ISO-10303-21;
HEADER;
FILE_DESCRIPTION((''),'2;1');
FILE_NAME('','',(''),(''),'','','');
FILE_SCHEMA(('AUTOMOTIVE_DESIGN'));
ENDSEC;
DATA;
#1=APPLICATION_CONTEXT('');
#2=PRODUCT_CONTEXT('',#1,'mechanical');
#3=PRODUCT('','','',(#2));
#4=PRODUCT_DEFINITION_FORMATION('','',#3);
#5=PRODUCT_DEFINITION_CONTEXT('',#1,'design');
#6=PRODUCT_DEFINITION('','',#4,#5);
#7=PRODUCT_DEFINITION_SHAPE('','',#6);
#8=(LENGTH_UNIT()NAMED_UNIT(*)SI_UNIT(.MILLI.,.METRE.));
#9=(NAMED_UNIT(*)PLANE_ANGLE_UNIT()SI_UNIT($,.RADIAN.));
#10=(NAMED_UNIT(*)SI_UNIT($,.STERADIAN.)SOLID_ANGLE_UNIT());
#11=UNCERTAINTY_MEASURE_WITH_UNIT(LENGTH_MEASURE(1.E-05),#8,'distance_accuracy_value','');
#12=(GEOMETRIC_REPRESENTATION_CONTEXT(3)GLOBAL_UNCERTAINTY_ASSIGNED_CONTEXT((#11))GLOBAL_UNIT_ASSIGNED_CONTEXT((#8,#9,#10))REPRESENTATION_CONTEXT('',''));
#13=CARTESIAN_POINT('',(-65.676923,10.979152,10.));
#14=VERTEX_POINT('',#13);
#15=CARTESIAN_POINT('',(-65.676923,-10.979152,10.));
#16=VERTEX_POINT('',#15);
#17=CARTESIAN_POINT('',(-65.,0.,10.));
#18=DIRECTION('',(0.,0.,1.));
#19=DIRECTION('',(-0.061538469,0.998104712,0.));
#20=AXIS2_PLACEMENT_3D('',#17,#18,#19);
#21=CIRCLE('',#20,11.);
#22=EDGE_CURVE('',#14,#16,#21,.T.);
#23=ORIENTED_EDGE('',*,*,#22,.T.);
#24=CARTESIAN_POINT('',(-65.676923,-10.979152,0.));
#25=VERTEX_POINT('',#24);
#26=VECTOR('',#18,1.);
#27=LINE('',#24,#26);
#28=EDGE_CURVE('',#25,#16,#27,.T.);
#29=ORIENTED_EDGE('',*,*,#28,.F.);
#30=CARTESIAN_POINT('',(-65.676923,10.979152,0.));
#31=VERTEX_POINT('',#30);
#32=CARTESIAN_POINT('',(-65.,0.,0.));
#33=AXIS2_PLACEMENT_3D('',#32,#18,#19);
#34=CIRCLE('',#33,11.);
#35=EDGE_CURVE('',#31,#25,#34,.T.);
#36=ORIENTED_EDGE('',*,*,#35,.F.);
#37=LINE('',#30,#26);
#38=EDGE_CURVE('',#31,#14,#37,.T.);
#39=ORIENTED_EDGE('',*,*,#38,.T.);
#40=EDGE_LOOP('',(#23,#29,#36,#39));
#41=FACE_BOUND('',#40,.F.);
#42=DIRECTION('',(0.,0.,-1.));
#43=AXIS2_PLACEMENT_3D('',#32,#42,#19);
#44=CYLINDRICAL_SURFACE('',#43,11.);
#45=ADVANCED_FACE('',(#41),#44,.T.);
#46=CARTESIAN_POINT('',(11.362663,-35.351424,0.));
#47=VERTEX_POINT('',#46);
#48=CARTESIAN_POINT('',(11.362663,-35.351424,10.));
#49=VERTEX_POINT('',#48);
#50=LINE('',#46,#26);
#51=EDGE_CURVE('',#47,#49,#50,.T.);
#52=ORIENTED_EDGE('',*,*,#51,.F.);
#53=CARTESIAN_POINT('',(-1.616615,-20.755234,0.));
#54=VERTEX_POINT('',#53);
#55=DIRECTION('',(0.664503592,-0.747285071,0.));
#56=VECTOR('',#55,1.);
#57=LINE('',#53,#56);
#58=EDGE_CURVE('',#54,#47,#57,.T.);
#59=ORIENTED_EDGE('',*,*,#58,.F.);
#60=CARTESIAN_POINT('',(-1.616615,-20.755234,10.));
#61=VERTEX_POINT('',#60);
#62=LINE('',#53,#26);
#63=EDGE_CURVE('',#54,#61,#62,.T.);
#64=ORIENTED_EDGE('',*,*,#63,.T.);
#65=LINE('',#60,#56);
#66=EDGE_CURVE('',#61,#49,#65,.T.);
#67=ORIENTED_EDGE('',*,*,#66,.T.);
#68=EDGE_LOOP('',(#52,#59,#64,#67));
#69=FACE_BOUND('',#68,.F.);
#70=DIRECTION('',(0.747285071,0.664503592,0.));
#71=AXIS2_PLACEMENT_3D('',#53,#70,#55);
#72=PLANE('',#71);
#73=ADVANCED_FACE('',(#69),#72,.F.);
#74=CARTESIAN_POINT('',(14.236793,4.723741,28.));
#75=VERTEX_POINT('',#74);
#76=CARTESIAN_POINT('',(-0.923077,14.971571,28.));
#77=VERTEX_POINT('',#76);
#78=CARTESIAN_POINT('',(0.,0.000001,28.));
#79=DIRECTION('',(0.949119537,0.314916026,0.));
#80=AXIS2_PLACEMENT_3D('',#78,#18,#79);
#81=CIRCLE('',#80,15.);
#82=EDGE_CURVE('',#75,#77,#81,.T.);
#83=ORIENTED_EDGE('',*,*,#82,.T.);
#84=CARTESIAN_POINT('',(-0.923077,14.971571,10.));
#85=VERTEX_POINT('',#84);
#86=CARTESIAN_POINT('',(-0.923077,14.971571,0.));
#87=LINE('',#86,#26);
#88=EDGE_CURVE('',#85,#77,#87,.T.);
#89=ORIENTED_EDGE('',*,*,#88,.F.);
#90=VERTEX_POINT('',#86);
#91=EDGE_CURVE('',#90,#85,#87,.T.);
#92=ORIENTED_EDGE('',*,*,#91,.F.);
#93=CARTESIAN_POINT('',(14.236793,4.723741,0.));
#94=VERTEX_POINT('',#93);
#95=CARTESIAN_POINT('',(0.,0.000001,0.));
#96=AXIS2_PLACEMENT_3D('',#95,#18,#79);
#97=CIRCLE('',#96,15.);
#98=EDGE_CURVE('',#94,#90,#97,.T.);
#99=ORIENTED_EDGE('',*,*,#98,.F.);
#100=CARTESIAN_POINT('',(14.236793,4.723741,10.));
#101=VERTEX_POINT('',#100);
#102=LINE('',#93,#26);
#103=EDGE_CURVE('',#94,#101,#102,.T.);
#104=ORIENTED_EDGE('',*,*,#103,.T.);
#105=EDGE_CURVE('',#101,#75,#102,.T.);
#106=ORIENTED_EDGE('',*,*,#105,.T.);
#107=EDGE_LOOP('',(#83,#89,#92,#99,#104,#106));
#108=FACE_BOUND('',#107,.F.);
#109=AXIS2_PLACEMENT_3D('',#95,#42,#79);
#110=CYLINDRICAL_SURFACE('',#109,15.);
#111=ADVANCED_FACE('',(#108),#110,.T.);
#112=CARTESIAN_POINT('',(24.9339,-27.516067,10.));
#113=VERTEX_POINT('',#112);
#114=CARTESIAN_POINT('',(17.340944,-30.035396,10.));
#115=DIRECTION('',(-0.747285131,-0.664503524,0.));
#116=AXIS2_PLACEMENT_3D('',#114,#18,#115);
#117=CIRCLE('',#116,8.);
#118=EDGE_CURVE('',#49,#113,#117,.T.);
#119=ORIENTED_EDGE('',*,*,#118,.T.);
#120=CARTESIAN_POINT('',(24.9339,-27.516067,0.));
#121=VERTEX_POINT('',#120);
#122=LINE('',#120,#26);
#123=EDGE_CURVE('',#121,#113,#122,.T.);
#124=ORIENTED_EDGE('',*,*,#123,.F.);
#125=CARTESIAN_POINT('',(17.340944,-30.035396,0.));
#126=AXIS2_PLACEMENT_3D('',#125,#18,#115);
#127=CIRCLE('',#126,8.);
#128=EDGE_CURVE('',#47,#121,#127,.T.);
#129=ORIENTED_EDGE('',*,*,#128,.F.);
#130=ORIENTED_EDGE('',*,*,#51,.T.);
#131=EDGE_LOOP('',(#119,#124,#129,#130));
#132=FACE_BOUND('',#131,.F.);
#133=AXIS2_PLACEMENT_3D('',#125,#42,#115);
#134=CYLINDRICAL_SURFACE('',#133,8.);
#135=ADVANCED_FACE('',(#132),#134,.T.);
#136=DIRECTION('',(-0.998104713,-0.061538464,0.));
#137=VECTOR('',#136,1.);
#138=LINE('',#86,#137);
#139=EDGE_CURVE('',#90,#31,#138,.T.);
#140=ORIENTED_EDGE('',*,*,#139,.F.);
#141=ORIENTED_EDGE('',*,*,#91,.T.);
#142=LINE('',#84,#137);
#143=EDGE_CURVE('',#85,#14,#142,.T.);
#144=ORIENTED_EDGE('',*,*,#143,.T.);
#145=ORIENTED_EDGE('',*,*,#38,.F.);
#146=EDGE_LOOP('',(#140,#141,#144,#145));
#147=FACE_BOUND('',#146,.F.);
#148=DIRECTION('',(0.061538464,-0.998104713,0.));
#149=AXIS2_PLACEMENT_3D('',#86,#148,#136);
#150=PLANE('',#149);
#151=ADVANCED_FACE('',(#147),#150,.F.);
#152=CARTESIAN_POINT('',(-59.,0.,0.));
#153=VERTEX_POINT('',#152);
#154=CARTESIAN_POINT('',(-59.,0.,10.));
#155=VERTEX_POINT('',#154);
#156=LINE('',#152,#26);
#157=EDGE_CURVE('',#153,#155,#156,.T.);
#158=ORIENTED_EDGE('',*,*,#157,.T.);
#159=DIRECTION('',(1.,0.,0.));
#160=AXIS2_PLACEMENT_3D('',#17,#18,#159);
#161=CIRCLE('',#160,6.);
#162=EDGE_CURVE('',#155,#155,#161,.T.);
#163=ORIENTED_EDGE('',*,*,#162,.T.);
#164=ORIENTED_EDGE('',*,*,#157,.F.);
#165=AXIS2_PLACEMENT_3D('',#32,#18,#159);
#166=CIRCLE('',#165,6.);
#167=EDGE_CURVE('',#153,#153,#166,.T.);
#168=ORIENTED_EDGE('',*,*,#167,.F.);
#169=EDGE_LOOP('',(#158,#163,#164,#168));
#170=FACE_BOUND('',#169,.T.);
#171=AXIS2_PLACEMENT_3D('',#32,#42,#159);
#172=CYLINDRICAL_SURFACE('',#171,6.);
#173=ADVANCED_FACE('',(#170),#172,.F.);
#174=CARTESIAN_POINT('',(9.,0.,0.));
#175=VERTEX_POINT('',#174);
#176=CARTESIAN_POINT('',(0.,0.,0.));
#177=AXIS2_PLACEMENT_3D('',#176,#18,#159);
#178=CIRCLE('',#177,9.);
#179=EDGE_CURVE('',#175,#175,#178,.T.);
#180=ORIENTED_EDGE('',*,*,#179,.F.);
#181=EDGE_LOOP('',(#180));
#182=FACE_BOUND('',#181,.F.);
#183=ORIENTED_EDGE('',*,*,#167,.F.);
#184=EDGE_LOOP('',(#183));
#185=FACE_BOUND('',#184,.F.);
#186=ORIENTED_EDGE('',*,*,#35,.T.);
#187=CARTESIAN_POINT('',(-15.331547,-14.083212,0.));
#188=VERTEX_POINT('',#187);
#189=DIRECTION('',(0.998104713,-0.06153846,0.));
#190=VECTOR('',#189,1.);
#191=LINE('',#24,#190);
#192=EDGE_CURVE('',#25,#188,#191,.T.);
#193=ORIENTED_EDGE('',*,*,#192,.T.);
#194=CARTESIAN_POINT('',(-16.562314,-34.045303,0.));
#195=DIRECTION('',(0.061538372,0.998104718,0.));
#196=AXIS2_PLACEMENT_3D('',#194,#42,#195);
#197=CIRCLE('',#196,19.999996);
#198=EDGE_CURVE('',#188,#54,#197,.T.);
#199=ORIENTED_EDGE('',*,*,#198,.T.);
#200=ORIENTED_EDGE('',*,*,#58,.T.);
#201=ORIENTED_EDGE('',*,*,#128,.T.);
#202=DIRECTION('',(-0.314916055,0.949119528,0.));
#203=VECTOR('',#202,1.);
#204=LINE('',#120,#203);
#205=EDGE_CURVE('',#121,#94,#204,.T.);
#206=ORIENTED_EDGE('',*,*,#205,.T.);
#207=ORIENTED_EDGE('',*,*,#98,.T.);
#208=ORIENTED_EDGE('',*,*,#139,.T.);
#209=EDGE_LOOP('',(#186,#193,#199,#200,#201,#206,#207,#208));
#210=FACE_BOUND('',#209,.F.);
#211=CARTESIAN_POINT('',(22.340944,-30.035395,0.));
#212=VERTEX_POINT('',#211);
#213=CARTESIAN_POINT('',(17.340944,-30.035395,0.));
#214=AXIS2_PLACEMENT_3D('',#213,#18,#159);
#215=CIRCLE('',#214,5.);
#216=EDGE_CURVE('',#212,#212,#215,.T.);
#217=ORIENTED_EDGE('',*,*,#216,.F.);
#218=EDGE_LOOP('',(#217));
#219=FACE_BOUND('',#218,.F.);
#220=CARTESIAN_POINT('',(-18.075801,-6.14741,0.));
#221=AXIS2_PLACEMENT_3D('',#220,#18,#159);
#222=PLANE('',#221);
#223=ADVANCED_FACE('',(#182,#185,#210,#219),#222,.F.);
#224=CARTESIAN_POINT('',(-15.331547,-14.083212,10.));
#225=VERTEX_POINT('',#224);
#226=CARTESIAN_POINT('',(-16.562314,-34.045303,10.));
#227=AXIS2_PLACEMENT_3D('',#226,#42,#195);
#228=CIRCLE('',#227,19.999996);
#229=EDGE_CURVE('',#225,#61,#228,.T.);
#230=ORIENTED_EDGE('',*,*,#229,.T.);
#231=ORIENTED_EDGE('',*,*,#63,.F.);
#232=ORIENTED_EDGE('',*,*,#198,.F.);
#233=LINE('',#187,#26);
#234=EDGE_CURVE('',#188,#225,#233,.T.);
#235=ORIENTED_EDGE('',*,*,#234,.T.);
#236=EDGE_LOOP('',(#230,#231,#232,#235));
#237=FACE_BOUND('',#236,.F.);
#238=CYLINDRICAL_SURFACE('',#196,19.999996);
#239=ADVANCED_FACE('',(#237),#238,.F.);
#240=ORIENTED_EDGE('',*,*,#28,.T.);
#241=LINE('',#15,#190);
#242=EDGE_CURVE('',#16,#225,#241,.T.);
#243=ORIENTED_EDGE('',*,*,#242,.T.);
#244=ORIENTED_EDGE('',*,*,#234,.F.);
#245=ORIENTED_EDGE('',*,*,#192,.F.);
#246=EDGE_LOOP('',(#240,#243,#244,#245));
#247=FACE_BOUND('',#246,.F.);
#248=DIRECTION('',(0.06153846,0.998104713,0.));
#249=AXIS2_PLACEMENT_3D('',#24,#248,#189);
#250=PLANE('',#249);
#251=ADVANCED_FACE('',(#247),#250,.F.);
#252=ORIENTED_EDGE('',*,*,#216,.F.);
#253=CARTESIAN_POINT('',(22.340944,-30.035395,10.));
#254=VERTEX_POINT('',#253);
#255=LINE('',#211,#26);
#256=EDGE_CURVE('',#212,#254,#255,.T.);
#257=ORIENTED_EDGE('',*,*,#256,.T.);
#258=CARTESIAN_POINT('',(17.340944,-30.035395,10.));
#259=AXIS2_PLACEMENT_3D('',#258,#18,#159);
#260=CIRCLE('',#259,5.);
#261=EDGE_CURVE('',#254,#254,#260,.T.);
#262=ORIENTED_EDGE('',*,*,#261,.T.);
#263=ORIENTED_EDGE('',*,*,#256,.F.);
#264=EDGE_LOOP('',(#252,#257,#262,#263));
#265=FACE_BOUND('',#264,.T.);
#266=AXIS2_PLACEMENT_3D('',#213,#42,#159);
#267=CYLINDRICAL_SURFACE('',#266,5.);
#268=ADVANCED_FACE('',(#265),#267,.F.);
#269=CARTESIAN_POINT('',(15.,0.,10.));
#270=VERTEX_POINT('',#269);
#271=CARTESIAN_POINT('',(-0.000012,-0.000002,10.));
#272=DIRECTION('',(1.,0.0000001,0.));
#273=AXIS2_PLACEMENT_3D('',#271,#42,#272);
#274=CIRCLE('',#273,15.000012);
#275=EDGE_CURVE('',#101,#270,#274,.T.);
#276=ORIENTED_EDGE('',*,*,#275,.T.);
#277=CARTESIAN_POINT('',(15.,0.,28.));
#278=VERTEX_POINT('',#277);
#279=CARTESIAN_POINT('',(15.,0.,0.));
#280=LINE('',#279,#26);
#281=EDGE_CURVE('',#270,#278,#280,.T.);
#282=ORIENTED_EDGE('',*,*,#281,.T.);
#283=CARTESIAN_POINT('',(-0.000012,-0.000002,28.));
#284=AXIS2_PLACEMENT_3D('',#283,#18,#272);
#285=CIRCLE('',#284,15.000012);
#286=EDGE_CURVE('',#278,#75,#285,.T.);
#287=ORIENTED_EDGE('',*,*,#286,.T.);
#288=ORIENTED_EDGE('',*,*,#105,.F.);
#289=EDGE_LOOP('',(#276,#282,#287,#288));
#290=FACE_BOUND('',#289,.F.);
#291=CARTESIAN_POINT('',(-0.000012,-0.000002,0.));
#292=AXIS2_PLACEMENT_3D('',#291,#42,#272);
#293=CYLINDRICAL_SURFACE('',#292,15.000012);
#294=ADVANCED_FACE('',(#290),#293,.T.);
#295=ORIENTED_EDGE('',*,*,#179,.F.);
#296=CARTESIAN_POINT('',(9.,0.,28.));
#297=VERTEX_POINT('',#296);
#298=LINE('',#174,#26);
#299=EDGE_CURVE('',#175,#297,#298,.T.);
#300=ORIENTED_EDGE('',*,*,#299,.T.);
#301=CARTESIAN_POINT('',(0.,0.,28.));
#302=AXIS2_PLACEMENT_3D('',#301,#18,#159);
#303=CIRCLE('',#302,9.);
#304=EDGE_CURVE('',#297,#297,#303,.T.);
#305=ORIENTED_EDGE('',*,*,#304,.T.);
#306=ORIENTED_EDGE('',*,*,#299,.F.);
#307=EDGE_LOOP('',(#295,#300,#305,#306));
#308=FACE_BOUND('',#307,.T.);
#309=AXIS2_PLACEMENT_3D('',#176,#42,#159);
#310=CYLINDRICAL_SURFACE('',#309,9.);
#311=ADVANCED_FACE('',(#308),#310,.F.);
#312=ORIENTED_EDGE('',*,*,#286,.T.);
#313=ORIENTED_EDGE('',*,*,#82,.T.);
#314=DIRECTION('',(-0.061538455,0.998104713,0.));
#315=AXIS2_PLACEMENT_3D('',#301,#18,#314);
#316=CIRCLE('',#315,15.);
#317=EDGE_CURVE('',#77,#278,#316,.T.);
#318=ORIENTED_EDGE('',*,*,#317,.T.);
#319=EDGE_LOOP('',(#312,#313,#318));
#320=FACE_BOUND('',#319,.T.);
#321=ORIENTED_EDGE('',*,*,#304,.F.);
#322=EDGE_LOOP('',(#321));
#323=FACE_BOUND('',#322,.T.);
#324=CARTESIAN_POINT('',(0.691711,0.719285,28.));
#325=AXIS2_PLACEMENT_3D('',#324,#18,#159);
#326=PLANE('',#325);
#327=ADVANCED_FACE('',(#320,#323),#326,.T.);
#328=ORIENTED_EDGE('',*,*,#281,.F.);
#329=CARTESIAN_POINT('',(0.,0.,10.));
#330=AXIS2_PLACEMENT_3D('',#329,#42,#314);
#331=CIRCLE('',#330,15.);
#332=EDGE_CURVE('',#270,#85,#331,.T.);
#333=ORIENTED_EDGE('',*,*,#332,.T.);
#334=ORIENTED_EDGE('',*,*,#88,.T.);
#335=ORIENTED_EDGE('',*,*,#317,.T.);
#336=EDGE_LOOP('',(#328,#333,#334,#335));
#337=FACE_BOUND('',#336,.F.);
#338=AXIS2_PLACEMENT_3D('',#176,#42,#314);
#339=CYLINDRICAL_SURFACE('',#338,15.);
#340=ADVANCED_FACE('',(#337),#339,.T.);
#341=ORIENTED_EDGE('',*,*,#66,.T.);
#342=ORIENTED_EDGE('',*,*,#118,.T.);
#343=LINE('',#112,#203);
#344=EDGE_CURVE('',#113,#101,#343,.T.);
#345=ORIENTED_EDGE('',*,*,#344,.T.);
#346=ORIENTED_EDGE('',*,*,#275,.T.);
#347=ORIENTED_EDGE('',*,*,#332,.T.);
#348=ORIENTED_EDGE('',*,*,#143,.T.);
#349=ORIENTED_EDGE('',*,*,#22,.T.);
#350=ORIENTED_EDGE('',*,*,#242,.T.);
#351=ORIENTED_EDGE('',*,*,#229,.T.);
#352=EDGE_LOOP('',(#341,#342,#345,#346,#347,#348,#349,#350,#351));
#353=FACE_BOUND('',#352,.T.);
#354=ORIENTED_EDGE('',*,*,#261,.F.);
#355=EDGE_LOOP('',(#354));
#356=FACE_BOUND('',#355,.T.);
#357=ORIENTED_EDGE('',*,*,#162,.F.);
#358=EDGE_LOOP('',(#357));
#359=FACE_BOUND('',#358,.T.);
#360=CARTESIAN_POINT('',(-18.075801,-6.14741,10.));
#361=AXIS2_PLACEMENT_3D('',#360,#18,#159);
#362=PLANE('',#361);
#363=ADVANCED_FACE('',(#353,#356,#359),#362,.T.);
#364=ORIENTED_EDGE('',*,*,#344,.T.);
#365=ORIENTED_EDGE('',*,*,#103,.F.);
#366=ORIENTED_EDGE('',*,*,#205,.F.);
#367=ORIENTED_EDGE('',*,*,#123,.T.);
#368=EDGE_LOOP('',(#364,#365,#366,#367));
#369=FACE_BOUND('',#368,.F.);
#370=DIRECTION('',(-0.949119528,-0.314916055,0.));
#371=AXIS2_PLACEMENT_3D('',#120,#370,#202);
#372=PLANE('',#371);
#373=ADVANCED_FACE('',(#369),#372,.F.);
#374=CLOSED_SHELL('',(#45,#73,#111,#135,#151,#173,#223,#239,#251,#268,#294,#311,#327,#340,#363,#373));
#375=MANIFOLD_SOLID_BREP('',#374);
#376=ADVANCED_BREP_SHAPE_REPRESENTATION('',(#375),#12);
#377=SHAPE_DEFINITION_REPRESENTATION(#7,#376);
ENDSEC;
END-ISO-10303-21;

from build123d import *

# Parameters (mm, degrees)
F0_R     = 5
F0_R_2   = 6
F0_R_3   = 9
F1_DEPTH = 10
F2_DEPTH = 28


with BuildPart() as f1:
    # F0 (on Top) → F1 (new body)
    with BuildSketch(Plane.XY):
        with BuildLine():
            ThreePointArc((14.236793, 4.723741), (14.807969, 2.392499), (15, 0))
            ThreePointArc((15, 0), (-10.275063, -10.928087), (-0.923077, 14.971571))
            Line((-0.923077, 14.971571), (-65.676923, 10.979152))
            ThreePointArc((-65.676923, 10.979152), (-76, 0), (-65.676923, -10.979152))
            Line((-65.676923, -10.979152), (-15.331547, -14.083212))
            ThreePointArc((-15.331547, -14.083212), (-7.813115, -16.060549), (-1.616615, -20.755234))
            Line((-1.616615, -20.755234), (11.362663, -35.351424))
            ThreePointArc((11.362663, -35.351424), (21.340944, -36.963599), (24.9339, -27.516067))
            Line((24.9339, -27.516067), (14.236793, 4.723741))
        make_face()
        with Locations((17.340944, -30.035395)):
            Circle(F0_R, mode=Mode.SUBTRACT)
        with Locations((-65, 0)):
            Circle(F0_R_2, mode=Mode.SUBTRACT)
        with BuildLine():
            ThreePointArc((-0.923077, 14.971571), (-10.275063, -10.928087), (15, 0))
            ThreePointArc((15, 0), (14.807969, 2.392499), (14.236793, 4.723741))
            ThreePointArc((14.236793, 4.723741), (8.400492, 12.427057), (-0.923077, 14.971571))
        make_face()
        Circle(F0_R_3, mode=Mode.SUBTRACT)
    extrude(amount=F1_DEPTH)

    # F0 (on Top) → F2 (join)
    with BuildSketch(Plane.XY):
        with BuildLine():
            ThreePointArc((-0.923077, 14.971571), (-10.275063, -10.928087), (15, 0))
            ThreePointArc((15, 0), (14.807969, 2.392499), (14.236793, 4.723741))
            ThreePointArc((14.236793, 4.723741), (8.400492, 12.427057), (-0.923077, 14.971571))
        make_face()
        Circle(F0_R_3, mode=Mode.SUBTRACT)
    extrude(amount=F2_DEPTH)


solid = f1.part
